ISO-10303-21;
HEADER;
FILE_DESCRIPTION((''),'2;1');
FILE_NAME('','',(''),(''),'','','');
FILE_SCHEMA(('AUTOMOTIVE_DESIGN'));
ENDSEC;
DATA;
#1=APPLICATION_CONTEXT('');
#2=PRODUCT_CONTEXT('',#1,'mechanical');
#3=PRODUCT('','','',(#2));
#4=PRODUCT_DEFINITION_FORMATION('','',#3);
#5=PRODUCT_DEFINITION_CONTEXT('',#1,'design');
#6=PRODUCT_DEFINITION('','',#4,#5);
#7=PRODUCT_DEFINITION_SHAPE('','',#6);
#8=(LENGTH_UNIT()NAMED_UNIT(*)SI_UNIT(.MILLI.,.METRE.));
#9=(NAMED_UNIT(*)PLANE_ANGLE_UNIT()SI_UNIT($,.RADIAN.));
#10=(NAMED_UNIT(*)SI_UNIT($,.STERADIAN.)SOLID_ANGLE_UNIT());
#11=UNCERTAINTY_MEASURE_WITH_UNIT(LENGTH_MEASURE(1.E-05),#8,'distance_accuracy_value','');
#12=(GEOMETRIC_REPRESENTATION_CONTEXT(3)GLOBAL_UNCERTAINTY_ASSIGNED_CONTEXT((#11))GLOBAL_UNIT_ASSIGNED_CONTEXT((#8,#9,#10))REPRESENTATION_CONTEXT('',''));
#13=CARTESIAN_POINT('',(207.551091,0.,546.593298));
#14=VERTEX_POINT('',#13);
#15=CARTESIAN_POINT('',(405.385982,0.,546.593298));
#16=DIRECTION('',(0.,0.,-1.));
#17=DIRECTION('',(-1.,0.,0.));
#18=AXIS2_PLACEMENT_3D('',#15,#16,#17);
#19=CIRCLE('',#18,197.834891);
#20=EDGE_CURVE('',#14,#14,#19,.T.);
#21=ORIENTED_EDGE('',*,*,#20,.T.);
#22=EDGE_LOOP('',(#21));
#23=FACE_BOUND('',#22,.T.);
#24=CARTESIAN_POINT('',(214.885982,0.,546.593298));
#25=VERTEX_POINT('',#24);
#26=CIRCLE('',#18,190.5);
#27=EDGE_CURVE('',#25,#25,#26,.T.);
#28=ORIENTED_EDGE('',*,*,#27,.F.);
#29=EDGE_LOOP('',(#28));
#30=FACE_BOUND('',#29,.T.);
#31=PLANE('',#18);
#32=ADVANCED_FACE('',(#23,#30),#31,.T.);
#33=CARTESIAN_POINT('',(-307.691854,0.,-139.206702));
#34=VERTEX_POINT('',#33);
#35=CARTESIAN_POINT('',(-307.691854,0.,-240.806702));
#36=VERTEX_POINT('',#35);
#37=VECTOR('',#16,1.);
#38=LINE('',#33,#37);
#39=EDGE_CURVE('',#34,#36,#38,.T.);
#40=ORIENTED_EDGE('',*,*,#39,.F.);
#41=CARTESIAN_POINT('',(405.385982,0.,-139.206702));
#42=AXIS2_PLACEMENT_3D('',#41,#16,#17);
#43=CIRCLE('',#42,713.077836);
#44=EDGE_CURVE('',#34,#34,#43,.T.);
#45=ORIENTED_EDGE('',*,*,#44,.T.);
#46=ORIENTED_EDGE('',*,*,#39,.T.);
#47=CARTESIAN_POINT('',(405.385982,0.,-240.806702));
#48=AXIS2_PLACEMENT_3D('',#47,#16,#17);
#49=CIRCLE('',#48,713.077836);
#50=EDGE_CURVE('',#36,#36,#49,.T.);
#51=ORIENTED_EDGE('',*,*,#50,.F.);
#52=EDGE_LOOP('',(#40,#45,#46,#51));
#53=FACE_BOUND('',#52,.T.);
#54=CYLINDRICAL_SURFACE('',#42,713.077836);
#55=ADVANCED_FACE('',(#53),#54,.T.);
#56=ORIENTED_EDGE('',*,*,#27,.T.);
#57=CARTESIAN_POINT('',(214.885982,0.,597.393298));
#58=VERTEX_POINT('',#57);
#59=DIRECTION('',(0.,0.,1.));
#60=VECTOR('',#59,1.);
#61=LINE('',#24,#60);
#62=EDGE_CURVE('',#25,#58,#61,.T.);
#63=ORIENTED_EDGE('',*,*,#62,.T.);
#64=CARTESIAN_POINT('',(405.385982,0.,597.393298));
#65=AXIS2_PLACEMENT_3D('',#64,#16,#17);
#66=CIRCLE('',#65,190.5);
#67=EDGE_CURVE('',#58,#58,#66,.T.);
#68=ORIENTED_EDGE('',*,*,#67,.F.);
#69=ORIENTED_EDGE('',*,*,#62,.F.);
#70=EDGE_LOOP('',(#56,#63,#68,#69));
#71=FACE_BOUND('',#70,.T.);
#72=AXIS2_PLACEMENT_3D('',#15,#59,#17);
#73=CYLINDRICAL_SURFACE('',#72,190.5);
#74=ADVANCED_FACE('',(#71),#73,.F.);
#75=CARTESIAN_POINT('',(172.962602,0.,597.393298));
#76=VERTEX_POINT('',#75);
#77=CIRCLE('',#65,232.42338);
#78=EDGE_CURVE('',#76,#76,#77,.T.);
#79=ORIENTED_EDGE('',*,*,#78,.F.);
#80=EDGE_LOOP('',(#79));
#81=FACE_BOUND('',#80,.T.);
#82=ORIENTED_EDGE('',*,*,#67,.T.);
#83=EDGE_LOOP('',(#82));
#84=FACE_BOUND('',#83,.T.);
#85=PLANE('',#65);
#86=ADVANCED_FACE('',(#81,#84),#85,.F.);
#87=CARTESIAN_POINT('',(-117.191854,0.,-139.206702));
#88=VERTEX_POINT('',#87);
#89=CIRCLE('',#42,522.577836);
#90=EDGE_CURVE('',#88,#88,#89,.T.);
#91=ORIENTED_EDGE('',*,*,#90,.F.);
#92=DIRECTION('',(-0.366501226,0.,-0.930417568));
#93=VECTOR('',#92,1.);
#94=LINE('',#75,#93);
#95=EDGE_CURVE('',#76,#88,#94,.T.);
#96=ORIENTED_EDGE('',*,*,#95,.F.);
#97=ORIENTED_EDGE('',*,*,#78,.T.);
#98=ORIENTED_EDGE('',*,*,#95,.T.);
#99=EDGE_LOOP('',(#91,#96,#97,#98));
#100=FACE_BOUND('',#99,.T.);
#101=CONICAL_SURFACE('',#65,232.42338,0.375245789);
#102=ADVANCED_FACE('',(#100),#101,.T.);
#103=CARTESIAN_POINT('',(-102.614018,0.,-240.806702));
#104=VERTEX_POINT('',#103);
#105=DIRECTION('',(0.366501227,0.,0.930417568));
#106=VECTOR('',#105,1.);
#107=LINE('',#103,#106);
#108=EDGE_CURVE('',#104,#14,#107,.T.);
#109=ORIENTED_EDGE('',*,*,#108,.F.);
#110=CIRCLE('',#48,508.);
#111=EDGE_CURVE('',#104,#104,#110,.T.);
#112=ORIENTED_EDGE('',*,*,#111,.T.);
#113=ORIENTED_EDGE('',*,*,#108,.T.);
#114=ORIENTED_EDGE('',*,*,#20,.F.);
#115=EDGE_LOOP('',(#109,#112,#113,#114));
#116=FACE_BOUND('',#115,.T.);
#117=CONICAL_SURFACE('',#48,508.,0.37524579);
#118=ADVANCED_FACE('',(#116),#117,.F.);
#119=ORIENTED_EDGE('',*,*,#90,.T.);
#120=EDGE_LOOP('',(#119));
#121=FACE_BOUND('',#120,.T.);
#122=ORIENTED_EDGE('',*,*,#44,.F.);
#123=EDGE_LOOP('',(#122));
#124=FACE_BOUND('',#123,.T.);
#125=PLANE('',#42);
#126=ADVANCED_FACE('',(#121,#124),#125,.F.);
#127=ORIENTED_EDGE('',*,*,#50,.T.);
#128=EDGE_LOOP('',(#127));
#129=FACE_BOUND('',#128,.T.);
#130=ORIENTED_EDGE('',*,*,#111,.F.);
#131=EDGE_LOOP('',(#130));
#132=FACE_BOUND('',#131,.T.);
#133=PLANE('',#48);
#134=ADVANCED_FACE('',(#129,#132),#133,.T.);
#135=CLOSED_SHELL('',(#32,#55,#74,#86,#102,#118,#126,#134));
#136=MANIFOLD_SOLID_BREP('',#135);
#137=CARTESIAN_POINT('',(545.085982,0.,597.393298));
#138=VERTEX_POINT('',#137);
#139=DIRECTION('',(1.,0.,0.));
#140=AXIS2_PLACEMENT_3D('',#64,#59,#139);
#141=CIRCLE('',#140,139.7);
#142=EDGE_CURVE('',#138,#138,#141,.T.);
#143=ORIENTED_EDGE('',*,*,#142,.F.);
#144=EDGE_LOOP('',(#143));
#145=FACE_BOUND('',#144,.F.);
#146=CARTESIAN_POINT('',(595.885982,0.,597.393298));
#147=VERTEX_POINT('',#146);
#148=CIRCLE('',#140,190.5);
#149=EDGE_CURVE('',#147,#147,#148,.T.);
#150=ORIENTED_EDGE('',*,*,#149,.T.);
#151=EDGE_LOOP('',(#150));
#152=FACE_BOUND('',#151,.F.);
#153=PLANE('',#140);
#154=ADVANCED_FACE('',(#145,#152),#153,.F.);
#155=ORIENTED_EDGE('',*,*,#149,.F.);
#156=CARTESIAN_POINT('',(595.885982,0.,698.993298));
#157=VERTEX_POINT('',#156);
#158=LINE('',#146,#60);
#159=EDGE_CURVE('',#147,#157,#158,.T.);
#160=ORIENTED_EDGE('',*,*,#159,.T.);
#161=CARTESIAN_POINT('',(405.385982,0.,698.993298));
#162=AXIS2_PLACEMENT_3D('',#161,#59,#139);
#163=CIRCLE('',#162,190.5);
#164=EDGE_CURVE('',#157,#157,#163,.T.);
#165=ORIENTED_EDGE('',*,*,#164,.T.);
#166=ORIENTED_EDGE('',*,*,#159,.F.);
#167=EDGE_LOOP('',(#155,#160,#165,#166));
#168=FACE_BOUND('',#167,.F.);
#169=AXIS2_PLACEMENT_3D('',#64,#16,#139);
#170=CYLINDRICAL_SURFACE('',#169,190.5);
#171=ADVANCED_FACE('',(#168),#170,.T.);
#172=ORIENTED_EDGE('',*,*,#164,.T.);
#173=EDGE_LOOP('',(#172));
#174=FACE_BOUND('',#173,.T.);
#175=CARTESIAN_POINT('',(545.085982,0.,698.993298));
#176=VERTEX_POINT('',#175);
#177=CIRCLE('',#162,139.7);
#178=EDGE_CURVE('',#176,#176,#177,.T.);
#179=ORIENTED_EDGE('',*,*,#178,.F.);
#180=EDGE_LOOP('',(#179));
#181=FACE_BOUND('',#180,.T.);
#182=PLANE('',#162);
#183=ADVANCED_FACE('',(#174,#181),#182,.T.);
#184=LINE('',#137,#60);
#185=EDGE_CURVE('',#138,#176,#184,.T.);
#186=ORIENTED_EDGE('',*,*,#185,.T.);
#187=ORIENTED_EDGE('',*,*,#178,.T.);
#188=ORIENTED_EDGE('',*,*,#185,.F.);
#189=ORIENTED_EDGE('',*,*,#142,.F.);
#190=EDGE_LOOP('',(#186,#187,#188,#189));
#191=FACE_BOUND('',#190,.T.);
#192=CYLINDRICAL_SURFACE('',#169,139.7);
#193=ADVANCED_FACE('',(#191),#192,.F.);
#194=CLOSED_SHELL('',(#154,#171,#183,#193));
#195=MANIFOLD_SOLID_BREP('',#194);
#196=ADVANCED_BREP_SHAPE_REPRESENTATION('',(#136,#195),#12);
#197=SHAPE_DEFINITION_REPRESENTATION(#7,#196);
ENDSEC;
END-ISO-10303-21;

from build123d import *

# Parameters (mm, degrees)
F2_R     = 190.5
F2_R_2   = 139.7
F3_DEPTH = 101.6


with BuildPart() as f1:
    # F0 (on Front) → F1 (revolve)
    with BuildSketch(Plane.XZ):
        Polygon((214.885982, 546.593298), (214.885982, 597.393298), (172.962602, 597.393298), (-117.191854, -139.206702), (-307.691854, -139.206702), (-307.691854, -240.806702), (-102.614018, -240.806702), (207.551091, 546.593298), align=None)
    revolve(axis=Axis((405.385982, 0, 135.375319), (0, 0, -1)))


with BuildPart() as f3:
    # F2 (on face) → F3 (new body)
    with BuildSketch(Plane.XY.offset(597.393298)):
        with Locations((405.385982, 0)):
            Circle(F2_R)
        with Locations((405.385982, 0)):
            Circle(F2_R_2, mode=Mode.SUBTRACT)
    extrude(amount=F3_DEPTH)


solid = Compound([f1.part, f3.part])
